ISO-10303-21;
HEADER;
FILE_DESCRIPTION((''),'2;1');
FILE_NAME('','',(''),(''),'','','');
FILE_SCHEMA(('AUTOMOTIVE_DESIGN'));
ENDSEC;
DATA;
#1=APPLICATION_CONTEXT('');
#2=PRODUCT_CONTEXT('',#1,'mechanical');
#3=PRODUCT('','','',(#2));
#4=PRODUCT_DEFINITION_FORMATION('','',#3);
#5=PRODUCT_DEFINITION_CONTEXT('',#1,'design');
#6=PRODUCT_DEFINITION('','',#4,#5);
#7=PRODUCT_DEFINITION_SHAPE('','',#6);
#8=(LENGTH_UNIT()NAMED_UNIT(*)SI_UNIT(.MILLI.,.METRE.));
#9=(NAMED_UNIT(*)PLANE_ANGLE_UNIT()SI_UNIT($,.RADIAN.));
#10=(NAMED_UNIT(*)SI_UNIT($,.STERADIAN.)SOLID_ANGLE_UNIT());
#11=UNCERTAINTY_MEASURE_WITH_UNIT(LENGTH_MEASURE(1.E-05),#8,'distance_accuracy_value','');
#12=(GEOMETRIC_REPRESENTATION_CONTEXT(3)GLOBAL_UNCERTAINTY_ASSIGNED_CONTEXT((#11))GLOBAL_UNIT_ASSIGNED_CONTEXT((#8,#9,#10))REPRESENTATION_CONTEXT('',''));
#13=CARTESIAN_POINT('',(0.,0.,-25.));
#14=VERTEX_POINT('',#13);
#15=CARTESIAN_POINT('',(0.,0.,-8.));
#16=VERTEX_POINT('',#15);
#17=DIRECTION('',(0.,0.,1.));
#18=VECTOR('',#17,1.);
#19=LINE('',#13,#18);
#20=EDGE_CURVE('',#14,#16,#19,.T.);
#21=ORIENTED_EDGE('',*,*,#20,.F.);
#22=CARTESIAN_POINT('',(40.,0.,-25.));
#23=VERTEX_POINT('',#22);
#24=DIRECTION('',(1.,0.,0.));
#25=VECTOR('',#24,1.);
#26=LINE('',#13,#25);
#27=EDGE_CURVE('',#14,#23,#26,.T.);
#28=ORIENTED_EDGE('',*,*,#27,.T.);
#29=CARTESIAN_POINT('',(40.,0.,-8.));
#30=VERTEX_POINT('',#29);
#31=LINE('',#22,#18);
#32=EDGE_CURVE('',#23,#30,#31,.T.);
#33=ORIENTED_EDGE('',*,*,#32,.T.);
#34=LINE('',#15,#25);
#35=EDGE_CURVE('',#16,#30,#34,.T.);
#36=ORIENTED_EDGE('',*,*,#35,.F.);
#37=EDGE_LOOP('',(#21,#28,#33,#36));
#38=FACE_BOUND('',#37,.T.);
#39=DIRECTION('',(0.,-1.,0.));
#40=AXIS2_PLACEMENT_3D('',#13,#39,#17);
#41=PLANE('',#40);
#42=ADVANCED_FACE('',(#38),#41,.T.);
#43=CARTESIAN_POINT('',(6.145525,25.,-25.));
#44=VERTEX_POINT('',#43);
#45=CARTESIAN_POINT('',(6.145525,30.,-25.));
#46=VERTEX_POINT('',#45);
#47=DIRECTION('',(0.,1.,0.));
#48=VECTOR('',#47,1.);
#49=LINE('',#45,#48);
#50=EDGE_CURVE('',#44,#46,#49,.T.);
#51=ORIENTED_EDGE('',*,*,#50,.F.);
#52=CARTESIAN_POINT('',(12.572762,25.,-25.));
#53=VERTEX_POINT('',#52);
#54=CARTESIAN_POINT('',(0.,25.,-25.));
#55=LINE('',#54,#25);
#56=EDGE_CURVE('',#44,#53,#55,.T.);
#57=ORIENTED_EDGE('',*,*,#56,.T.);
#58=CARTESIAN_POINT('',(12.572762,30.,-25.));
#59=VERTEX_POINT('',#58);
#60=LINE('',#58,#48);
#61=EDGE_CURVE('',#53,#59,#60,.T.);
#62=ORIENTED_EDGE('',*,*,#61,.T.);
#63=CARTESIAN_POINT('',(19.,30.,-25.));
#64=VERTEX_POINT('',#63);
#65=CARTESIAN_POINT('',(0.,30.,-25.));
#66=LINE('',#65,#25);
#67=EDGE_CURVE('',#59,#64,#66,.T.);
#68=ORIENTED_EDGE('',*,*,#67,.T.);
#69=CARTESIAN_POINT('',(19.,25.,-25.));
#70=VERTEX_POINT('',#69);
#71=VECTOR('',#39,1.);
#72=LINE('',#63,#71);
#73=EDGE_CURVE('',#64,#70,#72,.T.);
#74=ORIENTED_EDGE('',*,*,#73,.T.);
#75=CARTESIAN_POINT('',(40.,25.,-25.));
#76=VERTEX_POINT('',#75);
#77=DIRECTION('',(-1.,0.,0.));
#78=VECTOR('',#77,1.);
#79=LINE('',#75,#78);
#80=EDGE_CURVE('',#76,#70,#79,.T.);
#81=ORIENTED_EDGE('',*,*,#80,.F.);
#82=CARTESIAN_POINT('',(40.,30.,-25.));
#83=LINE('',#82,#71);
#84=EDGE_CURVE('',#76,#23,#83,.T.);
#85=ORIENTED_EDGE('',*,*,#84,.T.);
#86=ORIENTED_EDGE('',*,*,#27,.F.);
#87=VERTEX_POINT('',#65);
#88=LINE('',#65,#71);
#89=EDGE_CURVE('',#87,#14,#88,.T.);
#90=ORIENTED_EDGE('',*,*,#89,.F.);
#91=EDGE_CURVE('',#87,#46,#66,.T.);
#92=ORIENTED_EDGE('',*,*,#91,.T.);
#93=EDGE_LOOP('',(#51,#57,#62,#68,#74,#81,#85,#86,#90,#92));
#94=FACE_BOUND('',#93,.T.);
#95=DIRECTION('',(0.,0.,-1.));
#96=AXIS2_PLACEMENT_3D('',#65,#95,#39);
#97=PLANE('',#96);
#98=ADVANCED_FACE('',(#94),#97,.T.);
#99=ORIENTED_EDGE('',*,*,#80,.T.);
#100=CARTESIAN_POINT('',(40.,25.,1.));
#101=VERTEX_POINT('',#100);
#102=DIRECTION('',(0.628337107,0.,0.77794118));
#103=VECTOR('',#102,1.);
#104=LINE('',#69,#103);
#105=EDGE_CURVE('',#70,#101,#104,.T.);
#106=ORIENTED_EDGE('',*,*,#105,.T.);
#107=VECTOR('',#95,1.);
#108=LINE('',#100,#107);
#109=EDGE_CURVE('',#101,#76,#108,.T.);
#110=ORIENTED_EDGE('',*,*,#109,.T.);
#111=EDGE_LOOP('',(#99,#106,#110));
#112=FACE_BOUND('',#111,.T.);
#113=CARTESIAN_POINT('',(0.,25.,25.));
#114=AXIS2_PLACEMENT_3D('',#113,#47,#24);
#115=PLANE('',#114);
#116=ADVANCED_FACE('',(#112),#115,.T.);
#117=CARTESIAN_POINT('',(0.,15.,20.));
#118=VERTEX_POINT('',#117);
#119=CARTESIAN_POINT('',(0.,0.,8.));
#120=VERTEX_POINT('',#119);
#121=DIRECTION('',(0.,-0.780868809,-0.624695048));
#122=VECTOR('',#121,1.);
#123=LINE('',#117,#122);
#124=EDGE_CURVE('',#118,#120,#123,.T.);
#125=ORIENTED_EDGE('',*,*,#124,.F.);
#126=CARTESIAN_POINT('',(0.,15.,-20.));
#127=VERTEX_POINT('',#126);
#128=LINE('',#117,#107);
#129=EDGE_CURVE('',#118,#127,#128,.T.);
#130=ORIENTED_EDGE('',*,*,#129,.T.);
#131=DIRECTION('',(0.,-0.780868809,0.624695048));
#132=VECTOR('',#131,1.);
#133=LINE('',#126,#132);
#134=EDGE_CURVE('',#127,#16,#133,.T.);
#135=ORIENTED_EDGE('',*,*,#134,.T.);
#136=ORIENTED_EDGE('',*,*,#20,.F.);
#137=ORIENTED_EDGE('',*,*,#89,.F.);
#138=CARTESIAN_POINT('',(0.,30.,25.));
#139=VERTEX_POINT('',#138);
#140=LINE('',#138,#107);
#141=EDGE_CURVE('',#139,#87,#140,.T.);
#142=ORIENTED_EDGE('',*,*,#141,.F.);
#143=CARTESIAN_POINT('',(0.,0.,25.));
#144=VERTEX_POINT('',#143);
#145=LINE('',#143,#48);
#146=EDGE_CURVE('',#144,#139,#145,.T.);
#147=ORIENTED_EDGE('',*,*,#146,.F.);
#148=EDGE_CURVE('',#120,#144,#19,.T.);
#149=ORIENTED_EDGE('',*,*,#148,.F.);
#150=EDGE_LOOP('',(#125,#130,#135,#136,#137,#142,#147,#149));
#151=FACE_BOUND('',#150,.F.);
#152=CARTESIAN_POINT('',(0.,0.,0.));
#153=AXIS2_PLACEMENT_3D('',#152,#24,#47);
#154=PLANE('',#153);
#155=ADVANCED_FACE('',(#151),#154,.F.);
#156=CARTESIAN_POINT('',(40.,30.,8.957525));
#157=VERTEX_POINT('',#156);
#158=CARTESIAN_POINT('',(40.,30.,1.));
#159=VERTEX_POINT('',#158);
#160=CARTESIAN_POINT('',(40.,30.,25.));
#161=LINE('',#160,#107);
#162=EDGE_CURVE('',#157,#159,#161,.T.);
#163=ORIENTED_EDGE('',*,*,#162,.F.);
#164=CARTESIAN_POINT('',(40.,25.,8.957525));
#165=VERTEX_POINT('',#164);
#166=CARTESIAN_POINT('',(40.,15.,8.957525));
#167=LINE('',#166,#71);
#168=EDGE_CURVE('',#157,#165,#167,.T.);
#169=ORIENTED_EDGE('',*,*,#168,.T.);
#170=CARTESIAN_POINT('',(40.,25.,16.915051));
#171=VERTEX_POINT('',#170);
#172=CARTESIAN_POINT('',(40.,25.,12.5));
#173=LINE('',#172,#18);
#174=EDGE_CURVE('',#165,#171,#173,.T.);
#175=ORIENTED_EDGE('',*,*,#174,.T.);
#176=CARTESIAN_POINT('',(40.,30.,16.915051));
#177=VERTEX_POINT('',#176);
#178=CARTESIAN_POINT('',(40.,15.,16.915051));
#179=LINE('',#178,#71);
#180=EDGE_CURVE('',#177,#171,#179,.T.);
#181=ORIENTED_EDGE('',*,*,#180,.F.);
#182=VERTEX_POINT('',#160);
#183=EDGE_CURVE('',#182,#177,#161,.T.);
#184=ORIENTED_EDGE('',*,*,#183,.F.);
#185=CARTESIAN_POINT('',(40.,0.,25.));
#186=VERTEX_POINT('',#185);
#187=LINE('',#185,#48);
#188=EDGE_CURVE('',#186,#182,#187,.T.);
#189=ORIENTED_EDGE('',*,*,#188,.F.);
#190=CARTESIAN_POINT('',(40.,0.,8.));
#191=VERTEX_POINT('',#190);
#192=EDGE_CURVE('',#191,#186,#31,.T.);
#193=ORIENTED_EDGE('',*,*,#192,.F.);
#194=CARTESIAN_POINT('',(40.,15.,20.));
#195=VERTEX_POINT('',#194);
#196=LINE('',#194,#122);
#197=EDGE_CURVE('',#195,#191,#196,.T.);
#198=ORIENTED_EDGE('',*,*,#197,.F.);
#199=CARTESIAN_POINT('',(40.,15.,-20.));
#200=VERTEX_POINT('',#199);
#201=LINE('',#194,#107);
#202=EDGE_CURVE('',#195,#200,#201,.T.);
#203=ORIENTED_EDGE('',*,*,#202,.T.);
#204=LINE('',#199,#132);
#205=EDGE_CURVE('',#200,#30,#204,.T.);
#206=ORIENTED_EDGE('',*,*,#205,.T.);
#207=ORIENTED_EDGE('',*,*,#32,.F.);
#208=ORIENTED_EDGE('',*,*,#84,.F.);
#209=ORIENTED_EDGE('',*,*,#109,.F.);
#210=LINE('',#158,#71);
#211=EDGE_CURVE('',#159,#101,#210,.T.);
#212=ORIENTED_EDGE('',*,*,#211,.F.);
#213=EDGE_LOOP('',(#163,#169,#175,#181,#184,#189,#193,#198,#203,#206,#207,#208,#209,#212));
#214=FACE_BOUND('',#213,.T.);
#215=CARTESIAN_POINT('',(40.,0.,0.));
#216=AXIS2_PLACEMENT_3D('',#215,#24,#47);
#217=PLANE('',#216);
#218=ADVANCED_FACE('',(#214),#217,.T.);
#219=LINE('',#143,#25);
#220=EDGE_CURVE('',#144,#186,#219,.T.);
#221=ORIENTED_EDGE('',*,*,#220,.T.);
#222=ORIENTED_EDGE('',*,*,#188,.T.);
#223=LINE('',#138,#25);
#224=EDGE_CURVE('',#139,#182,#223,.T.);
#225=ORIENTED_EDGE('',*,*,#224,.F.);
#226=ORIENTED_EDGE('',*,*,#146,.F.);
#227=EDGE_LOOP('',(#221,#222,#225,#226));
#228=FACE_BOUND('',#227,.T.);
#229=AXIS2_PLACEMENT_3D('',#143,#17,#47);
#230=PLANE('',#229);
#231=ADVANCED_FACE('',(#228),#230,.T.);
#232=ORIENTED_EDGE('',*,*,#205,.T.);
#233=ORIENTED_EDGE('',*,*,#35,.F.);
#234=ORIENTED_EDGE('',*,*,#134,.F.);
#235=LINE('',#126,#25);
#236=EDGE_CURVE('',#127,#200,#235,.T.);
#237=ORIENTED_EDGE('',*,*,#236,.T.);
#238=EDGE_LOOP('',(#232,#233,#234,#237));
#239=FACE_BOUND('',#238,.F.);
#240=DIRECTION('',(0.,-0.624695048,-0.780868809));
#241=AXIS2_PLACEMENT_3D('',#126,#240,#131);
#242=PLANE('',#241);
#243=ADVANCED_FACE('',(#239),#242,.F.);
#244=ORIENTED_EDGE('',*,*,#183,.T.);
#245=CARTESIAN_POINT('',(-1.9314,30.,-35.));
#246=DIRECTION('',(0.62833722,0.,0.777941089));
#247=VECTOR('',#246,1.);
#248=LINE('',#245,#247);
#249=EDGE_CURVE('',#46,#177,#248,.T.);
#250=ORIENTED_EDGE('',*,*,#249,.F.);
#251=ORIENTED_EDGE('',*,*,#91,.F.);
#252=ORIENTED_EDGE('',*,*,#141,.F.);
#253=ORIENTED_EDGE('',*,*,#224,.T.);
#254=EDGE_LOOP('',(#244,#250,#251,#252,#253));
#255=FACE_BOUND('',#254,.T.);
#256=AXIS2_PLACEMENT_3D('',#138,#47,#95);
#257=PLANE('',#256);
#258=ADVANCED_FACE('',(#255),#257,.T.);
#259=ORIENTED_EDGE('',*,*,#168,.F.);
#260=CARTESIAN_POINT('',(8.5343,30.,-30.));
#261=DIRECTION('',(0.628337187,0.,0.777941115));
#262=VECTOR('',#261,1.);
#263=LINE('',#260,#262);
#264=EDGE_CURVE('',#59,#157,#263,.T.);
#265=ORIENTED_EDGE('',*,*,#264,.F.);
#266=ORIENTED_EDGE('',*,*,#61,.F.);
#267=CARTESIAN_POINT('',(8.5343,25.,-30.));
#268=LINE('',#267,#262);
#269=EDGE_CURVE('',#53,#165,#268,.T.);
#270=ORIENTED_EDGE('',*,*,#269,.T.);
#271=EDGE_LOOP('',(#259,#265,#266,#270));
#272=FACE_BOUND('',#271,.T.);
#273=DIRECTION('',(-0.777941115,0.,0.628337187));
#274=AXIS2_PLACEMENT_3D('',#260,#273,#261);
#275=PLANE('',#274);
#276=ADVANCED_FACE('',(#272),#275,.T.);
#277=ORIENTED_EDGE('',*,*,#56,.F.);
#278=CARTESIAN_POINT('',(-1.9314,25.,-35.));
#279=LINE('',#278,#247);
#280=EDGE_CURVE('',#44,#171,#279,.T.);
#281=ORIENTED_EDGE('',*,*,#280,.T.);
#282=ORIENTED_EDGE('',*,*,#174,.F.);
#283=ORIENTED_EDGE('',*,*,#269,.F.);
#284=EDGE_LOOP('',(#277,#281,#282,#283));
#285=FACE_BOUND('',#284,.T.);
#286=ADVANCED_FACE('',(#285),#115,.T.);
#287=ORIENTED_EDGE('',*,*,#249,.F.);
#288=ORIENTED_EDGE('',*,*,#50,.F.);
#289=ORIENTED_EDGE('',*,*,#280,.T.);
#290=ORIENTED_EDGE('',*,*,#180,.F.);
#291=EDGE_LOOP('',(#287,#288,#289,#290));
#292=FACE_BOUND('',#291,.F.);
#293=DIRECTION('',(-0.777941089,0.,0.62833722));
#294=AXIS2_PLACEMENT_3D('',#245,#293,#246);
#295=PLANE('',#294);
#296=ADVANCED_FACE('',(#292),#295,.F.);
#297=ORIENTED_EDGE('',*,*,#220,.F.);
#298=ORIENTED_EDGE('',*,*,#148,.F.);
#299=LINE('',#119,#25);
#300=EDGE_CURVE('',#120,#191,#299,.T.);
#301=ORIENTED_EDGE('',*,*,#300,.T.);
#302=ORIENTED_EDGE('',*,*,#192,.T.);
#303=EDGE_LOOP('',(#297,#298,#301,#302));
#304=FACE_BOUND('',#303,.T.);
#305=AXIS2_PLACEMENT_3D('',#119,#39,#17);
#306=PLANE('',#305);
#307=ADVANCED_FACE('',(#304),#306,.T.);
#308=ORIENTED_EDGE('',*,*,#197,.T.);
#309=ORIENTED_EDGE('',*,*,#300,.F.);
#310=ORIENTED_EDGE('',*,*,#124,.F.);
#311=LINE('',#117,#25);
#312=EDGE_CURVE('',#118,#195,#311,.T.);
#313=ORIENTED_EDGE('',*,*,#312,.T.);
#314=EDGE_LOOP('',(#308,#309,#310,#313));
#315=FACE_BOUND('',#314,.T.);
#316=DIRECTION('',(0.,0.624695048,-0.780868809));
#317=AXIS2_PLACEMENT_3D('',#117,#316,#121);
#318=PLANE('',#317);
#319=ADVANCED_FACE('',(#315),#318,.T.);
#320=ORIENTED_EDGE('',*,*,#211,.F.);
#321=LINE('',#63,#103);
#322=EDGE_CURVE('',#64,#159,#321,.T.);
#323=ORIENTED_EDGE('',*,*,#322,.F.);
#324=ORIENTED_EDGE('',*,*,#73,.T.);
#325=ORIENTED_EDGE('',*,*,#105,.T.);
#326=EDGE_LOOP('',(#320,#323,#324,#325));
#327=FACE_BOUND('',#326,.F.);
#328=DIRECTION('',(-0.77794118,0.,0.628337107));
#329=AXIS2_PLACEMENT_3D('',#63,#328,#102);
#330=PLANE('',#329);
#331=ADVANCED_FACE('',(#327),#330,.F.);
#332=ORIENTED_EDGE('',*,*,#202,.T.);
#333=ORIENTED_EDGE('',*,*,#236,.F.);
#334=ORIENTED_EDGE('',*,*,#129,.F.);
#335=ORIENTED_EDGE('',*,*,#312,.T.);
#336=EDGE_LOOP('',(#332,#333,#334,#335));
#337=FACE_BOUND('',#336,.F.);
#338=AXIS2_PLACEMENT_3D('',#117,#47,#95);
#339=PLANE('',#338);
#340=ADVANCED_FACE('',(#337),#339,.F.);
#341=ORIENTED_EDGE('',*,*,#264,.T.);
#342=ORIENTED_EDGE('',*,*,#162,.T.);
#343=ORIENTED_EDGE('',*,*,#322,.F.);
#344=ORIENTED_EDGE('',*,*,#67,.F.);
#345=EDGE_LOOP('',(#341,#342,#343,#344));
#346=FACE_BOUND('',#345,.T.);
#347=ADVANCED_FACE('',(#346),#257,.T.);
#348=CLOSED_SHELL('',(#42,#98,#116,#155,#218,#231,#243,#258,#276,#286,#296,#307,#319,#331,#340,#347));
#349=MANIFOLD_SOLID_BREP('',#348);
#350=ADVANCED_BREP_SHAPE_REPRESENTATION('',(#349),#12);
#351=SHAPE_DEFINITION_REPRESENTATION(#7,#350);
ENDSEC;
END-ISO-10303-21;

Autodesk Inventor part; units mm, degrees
ref_plane "YZ Plane" through (0, 0, 0) normal (1, 0, 0) x (0, 1, 0)
ref_plane "XZ Plane" through (0, 0, 0) normal (0, 1, 0) x (-1, 0, 0)
ref_plane "XY Plane" through (0, 0, 0) normal (0, 0, 1) x (1, 0, 0)
sketch "Sketch1" plane through (0, 0, 0) normal (1, 0, 0) x (0, 1, 0)
  line L0 (0, 25) -> (30, 25)
  line L1 (30, 25) -> (30, -25)
  line L2 (30, -25) -> (0, -25)
  line L3 (0, -25) -> (0, 25)
  line L4 (15, 20) -> (15, -20)
  line L5 (0, 0) -> (15, 0) construction
  line L6 (15, 20) -> (0, 8)
  line L7 (15, -20) -> (0, -8)
  line L8 (0, 8) -> (0, -8)
  dimension "d0" = 30
  dimension "d1" = 50
  dimension "d2" = 40
  dimension "d3" = 15
  dimension "d4" = 8
extrude "Extrusion1" add sketch "Sketch1" along normal blind 40 contours L0 L1 L2 L3 L7 L4 L6
sketch "Sketch2" plane through (0, 30, 25) normal (0, 1, 0) x (1, 0, 0)
  line L0 (0, 50) -> (40, 50) construction
  line L1 (40, 50) -> (19, 50)
  line L2 (40, 50) -> (40, 24)
  line L3 (40, 33) -> (40, 50) projected
  line L4 (19, 50) -> (40, 24)
  line L5 (45, 9.852) -> (45, 55)
  line L6 (45, 55) -> (8.5343, 55)
  line L7 (8.5343, 55) -> (45, 9.852)
  line L8 (50, -4.296) -> (50, 60)
  line L9 (50, 60) -> (-1.9314, 60)
  line L10 (-1.9314, 60) -> (50, -4.296)
  line L11 (40, 50) -> (40, 0) construction
  point P0 (0, 25)
  dimension "d7" = 21
  dimension "d8" = 26
  dimension "d9" = 5
  dimension "d10" = 5
extrude "Extrusion2" cut sketch "Sketch2" against normal blind 5
properties part number "SólidoB"
